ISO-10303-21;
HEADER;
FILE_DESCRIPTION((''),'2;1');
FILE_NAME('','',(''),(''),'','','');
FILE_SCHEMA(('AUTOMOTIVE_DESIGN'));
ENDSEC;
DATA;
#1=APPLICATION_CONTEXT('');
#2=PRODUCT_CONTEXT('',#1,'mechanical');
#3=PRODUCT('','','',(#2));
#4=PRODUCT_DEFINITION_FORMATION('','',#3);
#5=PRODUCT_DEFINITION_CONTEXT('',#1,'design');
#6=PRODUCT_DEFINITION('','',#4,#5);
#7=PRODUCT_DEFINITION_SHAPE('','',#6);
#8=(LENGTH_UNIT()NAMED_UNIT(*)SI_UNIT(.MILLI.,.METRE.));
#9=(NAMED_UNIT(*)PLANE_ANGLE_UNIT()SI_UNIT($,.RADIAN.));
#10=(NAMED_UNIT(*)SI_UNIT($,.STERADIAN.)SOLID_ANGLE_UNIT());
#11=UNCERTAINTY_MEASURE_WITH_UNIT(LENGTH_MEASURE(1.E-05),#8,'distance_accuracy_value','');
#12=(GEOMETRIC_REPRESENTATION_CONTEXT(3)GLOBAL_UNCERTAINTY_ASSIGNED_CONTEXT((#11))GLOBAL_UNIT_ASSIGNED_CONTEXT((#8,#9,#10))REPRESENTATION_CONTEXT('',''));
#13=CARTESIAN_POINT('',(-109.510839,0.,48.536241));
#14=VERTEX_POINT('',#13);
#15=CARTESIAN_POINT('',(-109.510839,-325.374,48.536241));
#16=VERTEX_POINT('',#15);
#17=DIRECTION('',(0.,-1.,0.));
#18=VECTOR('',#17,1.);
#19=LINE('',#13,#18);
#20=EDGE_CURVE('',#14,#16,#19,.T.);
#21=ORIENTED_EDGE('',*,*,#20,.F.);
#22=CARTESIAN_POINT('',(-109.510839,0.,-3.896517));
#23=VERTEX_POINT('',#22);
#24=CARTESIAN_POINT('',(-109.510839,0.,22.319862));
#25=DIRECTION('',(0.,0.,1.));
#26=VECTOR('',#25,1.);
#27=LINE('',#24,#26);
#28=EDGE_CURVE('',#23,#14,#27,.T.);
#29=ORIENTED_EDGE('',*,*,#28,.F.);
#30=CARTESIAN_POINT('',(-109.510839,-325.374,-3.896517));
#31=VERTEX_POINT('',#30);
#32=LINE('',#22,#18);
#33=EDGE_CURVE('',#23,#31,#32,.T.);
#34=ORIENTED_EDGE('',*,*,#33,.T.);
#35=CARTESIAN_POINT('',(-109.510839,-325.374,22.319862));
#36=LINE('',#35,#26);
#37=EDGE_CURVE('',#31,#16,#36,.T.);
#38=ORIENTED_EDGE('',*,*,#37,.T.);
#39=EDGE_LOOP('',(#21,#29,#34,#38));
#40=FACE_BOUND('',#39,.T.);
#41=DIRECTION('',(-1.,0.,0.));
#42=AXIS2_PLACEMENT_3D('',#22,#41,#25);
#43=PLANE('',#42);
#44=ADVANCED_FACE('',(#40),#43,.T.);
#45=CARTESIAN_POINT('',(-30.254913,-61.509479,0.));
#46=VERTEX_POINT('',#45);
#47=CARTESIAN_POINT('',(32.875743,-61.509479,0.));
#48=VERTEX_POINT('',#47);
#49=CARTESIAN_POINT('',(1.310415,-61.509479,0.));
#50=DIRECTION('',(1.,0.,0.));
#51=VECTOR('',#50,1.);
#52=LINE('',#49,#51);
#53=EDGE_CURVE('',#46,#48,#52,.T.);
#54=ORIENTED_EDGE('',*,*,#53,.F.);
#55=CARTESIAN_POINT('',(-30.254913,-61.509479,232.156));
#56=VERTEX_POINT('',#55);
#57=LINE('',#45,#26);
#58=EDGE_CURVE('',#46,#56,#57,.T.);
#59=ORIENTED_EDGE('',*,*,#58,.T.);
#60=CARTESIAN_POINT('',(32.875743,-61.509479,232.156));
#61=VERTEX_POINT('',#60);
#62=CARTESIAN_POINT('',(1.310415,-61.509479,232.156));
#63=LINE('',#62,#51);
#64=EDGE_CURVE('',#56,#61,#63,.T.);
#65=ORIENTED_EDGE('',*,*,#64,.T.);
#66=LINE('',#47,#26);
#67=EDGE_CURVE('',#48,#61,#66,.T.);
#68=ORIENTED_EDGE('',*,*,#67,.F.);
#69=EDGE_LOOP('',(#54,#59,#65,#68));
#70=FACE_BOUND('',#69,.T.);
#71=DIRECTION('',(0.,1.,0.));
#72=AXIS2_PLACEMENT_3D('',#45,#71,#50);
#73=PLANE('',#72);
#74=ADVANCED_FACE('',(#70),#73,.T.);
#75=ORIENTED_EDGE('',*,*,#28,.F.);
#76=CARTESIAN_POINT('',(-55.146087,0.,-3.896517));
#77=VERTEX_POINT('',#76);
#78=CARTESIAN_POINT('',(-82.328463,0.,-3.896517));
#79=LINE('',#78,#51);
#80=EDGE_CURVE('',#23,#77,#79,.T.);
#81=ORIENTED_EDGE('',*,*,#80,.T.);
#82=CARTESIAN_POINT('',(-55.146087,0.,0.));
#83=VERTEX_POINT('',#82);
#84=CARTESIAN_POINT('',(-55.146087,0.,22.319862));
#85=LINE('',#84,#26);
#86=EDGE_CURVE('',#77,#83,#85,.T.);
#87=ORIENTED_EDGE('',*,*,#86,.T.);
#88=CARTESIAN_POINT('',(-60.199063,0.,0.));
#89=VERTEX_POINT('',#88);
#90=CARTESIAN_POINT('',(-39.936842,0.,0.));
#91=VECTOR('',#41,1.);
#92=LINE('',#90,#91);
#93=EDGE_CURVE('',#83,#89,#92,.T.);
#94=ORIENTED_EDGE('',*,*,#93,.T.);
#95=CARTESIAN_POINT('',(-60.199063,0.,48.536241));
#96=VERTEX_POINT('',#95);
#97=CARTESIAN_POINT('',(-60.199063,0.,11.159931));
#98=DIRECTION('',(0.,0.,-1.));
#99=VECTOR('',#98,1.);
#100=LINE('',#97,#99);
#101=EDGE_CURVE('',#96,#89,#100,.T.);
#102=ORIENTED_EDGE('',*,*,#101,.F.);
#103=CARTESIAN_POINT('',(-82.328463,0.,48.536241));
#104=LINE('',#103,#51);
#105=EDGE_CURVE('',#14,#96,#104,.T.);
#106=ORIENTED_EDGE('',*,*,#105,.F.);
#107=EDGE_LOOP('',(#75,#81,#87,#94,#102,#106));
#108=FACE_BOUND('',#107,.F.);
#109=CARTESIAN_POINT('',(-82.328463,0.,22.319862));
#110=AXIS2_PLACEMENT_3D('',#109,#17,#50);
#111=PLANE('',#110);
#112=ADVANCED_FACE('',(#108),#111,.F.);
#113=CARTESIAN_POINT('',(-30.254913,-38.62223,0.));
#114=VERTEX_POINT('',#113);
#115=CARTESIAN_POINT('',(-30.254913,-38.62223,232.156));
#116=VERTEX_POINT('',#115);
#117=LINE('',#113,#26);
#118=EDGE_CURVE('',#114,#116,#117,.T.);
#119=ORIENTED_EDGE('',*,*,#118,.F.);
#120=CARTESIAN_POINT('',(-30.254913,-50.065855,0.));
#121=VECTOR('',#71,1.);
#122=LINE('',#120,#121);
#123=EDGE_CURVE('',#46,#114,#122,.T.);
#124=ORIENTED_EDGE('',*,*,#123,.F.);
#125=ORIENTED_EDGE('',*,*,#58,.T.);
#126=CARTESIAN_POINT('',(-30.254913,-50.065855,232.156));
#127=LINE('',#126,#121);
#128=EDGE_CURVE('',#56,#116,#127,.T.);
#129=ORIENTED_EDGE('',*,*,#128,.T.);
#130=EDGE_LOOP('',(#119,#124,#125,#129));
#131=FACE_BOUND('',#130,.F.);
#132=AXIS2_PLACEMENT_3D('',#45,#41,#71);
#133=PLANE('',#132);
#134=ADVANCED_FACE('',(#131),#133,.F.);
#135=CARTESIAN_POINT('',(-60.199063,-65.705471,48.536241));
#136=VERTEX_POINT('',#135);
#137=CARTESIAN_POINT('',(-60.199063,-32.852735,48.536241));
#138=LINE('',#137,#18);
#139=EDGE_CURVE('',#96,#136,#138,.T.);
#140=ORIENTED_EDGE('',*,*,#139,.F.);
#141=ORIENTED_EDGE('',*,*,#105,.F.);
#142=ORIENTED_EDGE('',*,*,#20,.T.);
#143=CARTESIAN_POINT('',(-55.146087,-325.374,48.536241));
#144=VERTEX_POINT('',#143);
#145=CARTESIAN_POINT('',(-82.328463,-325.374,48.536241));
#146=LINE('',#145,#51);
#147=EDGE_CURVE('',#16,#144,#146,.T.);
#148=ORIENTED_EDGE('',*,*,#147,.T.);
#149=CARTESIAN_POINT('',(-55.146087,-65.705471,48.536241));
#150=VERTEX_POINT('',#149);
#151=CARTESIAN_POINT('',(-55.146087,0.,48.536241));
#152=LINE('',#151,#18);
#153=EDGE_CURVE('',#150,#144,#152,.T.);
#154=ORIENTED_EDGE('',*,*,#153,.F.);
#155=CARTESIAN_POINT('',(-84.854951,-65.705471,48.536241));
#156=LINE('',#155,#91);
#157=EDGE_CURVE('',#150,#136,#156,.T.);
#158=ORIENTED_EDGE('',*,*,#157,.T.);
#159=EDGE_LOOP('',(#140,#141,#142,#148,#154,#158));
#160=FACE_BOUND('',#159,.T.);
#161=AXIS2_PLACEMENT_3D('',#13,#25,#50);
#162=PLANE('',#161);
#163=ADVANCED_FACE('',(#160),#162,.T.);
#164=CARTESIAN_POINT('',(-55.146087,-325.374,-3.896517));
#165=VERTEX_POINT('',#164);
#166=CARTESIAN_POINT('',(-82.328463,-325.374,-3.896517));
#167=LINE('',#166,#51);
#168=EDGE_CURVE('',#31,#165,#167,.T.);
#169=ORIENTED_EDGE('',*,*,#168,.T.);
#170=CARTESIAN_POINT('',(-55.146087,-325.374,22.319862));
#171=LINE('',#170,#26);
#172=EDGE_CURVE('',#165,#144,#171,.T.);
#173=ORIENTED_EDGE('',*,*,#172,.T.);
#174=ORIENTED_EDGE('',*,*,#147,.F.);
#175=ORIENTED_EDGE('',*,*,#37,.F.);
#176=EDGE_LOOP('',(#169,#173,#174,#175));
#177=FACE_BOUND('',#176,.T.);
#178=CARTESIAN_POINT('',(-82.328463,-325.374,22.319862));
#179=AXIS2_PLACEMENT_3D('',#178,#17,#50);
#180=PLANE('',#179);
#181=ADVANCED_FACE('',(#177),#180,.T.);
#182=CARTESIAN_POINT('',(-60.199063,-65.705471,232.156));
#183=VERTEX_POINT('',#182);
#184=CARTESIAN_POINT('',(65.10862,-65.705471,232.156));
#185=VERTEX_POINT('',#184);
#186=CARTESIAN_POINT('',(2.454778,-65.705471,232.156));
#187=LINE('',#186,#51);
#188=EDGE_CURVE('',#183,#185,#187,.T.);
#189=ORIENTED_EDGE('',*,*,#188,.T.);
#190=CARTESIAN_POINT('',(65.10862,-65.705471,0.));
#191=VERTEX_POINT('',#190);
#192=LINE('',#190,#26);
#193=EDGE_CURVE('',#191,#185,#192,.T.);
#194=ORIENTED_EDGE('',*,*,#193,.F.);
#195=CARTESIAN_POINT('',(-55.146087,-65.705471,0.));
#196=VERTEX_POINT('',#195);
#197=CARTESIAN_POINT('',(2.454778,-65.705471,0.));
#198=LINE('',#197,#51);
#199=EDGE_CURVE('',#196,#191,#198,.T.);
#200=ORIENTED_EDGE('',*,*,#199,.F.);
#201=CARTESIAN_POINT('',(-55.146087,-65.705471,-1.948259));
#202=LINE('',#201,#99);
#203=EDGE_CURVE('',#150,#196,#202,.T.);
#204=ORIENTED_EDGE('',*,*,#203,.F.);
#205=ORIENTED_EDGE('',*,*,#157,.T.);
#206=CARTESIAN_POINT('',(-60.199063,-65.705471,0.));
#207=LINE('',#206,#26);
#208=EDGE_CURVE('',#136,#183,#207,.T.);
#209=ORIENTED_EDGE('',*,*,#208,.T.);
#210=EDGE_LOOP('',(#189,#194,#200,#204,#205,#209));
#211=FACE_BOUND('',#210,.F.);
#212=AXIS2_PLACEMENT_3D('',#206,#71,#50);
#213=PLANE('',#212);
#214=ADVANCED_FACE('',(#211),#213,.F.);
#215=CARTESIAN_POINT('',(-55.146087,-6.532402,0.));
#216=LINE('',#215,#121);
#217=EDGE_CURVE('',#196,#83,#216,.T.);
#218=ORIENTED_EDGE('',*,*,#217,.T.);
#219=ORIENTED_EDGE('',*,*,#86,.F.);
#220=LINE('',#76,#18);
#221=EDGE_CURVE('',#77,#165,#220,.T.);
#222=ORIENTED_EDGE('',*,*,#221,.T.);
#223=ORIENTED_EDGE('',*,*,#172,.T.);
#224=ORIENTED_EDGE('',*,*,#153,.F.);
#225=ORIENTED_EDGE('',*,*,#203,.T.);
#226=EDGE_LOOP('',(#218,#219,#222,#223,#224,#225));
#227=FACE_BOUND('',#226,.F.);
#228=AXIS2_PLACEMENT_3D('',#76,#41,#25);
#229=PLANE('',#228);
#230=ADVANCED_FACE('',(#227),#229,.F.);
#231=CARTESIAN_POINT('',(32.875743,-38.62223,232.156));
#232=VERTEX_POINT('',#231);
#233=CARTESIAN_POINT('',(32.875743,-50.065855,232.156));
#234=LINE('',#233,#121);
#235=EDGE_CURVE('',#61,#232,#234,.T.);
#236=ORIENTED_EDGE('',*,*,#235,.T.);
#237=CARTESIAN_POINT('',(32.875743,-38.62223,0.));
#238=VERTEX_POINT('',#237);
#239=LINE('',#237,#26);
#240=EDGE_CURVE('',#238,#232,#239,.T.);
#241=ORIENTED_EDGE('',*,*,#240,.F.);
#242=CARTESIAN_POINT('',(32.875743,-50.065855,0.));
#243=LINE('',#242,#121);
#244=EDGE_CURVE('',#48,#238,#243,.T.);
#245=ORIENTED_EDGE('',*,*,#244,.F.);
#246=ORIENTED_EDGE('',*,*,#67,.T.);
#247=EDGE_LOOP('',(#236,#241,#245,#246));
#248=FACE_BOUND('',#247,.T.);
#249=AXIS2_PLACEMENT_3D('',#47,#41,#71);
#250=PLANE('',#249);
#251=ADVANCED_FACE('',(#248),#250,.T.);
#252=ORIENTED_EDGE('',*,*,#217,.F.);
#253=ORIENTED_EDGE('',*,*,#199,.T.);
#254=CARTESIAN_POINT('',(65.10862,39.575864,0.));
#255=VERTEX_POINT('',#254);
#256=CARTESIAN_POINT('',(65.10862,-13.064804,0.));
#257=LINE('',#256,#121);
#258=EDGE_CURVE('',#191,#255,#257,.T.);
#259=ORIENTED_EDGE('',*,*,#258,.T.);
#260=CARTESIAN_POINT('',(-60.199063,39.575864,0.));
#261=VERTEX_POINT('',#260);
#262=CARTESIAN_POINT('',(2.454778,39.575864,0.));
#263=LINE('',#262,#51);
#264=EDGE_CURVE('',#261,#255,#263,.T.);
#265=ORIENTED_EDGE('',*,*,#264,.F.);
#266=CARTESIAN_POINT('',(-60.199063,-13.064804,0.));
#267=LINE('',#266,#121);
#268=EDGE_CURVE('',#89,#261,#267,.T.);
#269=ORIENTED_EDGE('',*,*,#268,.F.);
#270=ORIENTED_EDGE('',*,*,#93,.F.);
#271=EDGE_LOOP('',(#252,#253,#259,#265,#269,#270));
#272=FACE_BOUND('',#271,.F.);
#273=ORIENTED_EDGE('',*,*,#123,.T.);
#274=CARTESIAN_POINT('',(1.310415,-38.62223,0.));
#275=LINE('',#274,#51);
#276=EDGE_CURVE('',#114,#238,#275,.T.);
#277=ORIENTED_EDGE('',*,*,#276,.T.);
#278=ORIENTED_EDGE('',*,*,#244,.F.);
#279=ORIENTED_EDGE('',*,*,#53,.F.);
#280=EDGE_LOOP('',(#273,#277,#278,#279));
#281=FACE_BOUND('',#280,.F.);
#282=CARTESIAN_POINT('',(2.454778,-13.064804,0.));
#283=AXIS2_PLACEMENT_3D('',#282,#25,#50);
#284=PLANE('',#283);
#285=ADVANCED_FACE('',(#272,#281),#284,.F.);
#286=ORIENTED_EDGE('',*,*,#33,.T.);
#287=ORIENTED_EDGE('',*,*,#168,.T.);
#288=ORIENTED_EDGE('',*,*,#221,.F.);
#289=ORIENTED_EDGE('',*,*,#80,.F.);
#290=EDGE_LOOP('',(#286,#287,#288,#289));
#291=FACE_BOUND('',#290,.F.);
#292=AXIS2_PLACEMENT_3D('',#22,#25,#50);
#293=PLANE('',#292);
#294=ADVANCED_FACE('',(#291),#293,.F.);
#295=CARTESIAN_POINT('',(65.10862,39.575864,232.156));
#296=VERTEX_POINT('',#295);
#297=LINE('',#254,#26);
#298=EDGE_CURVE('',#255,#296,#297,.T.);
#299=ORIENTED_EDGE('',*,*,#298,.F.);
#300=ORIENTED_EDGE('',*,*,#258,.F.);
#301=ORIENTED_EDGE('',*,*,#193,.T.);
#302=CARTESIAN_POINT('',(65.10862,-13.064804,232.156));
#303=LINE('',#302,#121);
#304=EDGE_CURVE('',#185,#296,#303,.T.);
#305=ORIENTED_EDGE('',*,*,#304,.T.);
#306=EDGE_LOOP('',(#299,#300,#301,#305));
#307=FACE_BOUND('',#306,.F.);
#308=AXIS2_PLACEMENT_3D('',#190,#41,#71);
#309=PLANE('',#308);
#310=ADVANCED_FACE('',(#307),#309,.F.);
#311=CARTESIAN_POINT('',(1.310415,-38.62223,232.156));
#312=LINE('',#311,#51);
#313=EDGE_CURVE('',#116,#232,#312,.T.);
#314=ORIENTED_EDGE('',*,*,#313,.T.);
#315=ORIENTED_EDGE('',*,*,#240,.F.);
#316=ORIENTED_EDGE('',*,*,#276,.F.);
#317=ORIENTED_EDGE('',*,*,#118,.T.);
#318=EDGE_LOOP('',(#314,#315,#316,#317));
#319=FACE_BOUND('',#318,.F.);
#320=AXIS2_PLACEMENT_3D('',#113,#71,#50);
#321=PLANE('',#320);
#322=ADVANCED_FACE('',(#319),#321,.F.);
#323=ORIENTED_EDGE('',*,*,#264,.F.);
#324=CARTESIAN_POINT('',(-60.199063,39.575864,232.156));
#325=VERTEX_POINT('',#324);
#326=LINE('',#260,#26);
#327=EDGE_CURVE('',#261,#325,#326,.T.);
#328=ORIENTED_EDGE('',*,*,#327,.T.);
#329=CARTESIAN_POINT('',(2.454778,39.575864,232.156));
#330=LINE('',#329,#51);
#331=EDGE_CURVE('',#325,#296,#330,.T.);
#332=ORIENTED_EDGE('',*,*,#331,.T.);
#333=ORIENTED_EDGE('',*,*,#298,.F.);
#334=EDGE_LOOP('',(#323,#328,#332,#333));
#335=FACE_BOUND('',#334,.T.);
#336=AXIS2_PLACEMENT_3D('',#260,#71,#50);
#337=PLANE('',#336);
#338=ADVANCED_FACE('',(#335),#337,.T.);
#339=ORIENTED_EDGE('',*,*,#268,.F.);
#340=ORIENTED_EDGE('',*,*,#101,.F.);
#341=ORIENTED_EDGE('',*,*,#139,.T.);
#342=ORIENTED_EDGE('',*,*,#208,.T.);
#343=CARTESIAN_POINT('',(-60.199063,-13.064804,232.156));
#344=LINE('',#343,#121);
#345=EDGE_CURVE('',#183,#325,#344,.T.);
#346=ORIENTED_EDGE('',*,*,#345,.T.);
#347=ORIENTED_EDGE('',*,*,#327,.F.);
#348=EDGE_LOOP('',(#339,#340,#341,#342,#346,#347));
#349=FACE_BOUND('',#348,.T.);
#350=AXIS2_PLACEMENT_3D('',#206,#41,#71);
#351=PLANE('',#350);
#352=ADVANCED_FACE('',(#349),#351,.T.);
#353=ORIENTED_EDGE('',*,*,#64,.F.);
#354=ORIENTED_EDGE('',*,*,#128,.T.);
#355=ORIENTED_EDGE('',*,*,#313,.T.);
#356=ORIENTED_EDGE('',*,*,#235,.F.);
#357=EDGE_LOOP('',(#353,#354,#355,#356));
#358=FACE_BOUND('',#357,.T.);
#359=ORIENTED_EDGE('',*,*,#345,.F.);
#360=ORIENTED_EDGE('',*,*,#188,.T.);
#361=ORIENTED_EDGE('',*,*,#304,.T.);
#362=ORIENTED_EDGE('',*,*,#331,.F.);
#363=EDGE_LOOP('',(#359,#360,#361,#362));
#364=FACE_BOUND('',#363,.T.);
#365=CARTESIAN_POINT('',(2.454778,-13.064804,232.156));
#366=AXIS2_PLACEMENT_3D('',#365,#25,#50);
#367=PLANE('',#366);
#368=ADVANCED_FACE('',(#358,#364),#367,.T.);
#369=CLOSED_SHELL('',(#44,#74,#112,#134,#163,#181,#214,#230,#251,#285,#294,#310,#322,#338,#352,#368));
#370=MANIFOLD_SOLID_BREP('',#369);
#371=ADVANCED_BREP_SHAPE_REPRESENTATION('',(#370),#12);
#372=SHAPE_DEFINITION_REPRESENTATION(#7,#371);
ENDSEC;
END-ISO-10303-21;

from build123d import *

# Parameters (mm, degrees)
F0_W     = 54.3647520244
F0_H     = 52.432758268
F2_DEPTH = 325.374
F1_W     = 125.3076829016
F1_H     = 105.2813343704
F1_W_2   = 63.1306562573
F1_H_2   = 22.8872485459
F1_R     = 36.1337810963
F3_DEPTH = 232.156


with BuildPart() as f2:
    # F0 (on Front) → F2 (new body)
    with BuildSketch(Plane.XZ):
        with Locations((-82.3284629732, 22.3198619206)):
            Rectangle(F0_W, F0_H)
    extrude(amount=F2_DEPTH)

    # F1 (on Top) → F3 (join)
    with BuildSketch(Plane.XY):
        with Locations((2.4547781795, -13.0648035556)):
            Rectangle(F1_W, F1_H)
        with Locations((1.3104146346, -50.0658545643)):
            Rectangle(F1_W_2, F1_H_2, mode=Mode.SUBTRACT)
        Circle(F1_R, mode=Mode.SUBTRACT)
        Circle(F1_R)
    extrude(amount=F3_DEPTH)


solid = f2.part
